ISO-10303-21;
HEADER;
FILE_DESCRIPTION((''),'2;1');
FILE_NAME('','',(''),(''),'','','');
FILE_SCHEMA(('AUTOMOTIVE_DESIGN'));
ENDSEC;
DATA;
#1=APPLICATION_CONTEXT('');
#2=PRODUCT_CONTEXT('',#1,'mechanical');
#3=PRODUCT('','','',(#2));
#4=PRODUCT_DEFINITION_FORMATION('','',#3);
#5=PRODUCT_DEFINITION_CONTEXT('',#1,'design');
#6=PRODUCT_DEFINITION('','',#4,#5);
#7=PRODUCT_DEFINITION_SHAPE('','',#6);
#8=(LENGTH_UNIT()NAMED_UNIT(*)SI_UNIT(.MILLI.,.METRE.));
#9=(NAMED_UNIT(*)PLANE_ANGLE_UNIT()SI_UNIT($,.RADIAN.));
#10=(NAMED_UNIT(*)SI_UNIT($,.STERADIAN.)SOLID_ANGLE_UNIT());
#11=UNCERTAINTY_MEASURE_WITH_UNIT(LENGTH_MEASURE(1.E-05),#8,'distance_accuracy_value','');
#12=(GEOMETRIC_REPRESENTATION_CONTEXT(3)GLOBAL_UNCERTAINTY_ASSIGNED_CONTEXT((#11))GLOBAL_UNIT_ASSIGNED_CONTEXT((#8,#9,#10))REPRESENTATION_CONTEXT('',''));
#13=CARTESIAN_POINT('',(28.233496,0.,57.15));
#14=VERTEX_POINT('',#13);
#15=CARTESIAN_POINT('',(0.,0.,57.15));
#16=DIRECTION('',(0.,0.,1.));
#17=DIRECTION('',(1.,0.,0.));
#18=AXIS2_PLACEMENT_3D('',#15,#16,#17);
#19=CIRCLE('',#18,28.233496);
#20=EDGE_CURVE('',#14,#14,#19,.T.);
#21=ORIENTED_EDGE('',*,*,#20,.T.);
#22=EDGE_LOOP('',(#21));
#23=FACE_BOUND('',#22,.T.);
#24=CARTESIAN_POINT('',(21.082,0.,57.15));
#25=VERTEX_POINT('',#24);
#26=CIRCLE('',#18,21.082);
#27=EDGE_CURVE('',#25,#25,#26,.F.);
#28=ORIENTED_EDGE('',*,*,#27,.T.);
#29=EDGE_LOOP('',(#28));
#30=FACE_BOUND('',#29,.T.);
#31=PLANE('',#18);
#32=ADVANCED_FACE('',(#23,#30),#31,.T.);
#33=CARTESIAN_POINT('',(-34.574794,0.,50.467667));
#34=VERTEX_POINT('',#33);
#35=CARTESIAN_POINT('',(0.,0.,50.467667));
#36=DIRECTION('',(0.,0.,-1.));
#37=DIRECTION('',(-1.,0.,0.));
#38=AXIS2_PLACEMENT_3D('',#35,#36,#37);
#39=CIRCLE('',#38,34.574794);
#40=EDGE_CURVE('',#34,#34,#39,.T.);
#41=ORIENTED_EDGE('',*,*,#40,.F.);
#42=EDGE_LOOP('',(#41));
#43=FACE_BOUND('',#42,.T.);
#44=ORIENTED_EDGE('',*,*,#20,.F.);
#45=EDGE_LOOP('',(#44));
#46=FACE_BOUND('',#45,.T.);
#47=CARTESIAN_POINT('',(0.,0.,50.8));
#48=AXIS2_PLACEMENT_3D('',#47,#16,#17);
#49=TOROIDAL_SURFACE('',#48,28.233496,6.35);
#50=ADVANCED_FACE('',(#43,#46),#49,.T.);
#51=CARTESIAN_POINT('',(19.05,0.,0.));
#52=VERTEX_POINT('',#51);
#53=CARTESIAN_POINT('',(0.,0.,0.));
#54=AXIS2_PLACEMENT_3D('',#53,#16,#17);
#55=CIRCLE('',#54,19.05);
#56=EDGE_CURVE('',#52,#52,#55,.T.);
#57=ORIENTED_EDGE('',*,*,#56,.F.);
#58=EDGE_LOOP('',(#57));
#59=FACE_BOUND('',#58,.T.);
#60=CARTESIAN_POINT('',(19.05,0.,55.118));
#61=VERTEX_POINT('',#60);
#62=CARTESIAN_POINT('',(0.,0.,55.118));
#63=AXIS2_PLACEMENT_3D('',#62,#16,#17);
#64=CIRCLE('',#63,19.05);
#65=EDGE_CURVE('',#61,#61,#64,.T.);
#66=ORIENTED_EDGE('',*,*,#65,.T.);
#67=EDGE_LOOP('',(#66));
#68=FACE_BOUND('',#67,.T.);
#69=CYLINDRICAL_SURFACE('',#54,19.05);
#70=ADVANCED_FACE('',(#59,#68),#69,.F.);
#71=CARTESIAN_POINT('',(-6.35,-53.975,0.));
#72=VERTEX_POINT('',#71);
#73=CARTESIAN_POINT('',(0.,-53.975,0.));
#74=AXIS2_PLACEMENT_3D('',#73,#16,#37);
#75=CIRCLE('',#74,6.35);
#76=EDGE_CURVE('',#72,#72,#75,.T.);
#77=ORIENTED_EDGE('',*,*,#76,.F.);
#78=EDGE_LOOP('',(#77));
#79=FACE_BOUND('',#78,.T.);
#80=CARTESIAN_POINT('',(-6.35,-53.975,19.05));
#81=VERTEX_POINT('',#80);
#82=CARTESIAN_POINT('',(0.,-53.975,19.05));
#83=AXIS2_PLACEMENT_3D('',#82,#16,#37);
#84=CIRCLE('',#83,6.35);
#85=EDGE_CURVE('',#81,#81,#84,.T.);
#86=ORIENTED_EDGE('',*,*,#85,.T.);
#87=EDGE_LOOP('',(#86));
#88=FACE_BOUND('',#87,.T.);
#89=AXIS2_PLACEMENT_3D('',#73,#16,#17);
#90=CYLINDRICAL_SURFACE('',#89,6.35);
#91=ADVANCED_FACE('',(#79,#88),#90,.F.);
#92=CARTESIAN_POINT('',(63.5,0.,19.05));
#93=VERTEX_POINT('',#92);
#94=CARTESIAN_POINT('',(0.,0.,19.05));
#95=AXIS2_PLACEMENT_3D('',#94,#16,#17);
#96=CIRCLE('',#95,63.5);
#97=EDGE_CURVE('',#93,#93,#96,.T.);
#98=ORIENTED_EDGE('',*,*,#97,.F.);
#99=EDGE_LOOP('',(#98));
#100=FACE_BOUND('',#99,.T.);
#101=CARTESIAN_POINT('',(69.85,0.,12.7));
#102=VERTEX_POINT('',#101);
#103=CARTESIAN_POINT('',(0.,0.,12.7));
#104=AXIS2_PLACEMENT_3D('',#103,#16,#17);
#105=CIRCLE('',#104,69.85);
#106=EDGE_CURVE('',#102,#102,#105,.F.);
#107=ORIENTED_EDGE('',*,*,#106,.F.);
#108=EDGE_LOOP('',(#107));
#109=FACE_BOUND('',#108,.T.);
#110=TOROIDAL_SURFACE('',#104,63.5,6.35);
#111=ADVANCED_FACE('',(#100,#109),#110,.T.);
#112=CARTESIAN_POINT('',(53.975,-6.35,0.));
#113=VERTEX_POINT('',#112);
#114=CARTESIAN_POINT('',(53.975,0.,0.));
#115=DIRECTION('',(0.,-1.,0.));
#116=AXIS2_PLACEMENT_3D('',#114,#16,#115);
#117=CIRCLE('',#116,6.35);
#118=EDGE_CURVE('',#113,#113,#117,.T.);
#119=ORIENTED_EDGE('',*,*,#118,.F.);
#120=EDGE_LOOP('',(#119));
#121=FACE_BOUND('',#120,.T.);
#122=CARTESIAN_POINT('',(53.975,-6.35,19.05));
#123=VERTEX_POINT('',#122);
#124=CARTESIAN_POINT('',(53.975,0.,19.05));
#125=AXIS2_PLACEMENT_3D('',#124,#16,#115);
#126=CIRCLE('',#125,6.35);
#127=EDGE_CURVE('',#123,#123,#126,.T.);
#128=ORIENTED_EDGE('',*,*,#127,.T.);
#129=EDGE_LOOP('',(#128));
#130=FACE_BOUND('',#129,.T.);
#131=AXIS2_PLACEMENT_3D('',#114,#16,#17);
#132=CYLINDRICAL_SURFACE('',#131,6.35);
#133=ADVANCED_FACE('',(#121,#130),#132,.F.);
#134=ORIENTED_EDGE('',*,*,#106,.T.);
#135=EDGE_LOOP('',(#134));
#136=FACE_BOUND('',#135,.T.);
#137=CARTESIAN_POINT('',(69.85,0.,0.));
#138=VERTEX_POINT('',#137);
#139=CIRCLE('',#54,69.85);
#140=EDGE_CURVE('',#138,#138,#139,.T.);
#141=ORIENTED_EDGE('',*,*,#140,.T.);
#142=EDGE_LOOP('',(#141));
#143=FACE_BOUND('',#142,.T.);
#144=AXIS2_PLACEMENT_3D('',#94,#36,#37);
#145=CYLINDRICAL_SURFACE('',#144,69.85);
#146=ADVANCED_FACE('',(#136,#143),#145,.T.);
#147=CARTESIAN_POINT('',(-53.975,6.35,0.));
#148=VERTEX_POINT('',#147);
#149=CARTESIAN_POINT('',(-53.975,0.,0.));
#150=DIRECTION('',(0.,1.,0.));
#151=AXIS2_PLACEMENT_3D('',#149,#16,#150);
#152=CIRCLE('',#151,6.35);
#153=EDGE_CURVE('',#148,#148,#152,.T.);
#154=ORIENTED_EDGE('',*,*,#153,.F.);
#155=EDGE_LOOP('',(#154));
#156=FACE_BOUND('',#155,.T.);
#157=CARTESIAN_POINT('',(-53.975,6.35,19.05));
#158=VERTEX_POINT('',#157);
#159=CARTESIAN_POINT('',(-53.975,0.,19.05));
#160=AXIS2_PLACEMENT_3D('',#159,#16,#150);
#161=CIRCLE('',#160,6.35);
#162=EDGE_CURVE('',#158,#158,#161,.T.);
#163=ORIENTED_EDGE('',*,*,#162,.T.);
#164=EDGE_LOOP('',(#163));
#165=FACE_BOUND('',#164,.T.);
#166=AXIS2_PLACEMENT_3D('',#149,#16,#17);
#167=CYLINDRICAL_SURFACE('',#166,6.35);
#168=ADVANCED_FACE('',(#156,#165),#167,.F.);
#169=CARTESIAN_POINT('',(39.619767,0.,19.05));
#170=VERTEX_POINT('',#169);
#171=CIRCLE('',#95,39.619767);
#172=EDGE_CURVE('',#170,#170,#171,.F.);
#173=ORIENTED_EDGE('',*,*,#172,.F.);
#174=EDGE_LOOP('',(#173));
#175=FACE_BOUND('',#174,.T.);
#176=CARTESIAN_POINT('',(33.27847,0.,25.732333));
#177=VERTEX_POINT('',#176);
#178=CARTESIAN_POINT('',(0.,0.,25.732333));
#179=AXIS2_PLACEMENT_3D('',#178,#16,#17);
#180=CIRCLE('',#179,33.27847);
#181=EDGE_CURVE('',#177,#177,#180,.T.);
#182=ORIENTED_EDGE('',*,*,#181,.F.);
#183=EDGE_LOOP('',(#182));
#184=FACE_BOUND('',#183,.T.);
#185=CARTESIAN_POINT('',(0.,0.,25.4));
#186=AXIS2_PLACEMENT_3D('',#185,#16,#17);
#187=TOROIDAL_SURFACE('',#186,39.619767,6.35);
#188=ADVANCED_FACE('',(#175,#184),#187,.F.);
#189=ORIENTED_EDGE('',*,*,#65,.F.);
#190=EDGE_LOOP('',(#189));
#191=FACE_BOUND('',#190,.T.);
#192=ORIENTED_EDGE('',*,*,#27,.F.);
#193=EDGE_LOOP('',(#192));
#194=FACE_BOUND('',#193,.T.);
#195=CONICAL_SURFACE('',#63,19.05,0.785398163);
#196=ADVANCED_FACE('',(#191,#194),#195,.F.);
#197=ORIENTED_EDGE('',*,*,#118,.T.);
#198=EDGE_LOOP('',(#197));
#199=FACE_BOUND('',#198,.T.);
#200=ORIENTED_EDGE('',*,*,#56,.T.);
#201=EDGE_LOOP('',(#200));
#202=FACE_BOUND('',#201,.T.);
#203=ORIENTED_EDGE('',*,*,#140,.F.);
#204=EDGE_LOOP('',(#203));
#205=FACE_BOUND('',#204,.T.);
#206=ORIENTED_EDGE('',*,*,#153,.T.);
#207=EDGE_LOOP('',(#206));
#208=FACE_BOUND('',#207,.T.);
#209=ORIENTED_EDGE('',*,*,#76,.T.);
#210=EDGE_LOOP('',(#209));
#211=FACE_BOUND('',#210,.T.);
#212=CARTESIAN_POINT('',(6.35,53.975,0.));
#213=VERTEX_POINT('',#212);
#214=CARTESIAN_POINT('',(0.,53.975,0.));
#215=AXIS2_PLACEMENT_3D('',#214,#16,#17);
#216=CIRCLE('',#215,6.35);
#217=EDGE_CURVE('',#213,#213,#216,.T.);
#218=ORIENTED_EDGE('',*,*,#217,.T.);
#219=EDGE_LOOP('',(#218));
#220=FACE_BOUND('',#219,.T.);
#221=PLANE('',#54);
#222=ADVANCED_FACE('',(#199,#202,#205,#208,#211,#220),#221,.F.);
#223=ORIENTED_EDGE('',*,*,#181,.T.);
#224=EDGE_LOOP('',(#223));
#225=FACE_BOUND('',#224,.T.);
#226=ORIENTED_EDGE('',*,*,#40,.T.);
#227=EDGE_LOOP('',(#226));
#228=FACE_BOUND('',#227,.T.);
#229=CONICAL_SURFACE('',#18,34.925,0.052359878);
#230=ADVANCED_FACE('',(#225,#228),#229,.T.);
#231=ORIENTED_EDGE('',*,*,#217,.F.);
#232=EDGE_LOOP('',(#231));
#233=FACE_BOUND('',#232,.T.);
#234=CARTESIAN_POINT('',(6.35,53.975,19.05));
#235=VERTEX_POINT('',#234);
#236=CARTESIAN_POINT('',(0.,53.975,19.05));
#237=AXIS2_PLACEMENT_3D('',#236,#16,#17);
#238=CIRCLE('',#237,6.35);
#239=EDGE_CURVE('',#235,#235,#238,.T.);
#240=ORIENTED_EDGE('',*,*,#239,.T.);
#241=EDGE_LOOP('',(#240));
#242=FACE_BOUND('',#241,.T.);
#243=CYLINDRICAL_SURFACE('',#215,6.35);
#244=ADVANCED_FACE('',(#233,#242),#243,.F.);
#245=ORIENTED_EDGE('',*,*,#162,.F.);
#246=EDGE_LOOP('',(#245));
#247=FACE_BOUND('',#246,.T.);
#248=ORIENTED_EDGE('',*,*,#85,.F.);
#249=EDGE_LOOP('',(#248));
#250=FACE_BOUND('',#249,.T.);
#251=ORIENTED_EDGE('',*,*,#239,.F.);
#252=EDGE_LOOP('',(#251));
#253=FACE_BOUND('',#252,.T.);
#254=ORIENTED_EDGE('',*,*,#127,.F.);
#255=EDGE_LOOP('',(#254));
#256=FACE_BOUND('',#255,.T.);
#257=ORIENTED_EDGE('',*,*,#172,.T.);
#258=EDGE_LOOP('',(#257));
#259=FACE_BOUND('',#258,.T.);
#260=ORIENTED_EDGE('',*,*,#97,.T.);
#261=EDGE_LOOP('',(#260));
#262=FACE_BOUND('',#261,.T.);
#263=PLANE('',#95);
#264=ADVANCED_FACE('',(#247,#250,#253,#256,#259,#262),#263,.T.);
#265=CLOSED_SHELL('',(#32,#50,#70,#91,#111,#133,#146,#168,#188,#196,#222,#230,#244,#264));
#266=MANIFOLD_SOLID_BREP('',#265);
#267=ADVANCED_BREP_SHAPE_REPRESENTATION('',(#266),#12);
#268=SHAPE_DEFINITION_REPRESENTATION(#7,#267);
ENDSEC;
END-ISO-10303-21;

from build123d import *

# Parameters (mm, degrees)
SKETCH1_R           = 69.85
BOSS_EXTRUDE1_DEPTH = 19.05
SKETCH3_R           = 34.925
BOSS_EXTRUDE2_DEPTH = 38.1
BOSS_EXTRUDE2_TAPER = 3
SKETCH4_R           = 19.05
CUT_EXTRUDE1_DEPTH  = 20.05
SKETCH5_R           = 19.05
BOLT_HOLE_DEPTH     = 58.15
SKETCH6_R           = 6.35
CUT_EXTRUDE3_DEPTH  = 20.05
CIRPATTERN2_COUNT   = 4
FILLET1_R           = 6.35
CHAMFER1_SIZE       = 2.032


with BuildPart() as part:
    # Sketch1 → Boss-Extrude1 (new body)
    with BuildSketch(Plane.XY):
        Circle(SKETCH1_R)
    extrude(amount=BOSS_EXTRUDE1_DEPTH)

    # Sketch3 → Boss-Extrude2 (add)
    with BuildSketch(Plane.XY.offset(57.15)):
        Circle(SKETCH3_R)
    extrude(amount=-BOSS_EXTRUDE2_DEPTH, taper=BOSS_EXTRUDE2_TAPER)

    # Sketch4 → Cut-Extrude1 (cut, through all)
    with BuildSketch(Plane.XY.offset(19.05)):
        Circle(SKETCH4_R)
    extrude(amount=-CUT_EXTRUDE1_DEPTH, mode=Mode.SUBTRACT)

    # Sketch5 → Bolt Hole (cut, through all)
    with BuildSketch(Plane.XY.offset(57.15)):
        Circle(SKETCH5_R)
    extrude(amount=-BOLT_HOLE_DEPTH, mode=Mode.SUBTRACT)

    # Sketch6 → Cut-Extrude3 (cut, through all)
    with BuildSketch(Plane.XY.offset(19.05)):
        with Locations((0, 53.975)):
            Circle(SKETCH6_R)
    cut_extrude3 = extrude(amount=-CUT_EXTRUDE3_DEPTH, mode=Mode.SUBTRACT)

    # CirPattern2: Cut-Extrude3 ×4 about axis
    cirpattern2_axis = Axis((0, 0, 0), (0, 0, 1))
    for i in range(1, CIRPATTERN2_COUNT):
        add(cut_extrude3.rotate(cirpattern2_axis, i * 360 / CIRPATTERN2_COUNT), mode=Mode.SUBTRACT)

    # Fillet1
    fillet1_edges = [part.edges().sort_by_distance(p)[0] for p in [
        (-69.85, 0, 19.05),
        (-34.925, 0, 57.15),
        (-32.928263609, 0, 19.05),
    ]]
    fillet(fillet1_edges, radius=FILLET1_R)

    # Chamfer1
    chamfer1_edges = [part.edges().sort_by_distance(p)[0] for p in [
        (-19.05, 0, 57.15),
    ]]
    chamfer(chamfer1_edges, length=CHAMFER1_SIZE)


solid = part.part
